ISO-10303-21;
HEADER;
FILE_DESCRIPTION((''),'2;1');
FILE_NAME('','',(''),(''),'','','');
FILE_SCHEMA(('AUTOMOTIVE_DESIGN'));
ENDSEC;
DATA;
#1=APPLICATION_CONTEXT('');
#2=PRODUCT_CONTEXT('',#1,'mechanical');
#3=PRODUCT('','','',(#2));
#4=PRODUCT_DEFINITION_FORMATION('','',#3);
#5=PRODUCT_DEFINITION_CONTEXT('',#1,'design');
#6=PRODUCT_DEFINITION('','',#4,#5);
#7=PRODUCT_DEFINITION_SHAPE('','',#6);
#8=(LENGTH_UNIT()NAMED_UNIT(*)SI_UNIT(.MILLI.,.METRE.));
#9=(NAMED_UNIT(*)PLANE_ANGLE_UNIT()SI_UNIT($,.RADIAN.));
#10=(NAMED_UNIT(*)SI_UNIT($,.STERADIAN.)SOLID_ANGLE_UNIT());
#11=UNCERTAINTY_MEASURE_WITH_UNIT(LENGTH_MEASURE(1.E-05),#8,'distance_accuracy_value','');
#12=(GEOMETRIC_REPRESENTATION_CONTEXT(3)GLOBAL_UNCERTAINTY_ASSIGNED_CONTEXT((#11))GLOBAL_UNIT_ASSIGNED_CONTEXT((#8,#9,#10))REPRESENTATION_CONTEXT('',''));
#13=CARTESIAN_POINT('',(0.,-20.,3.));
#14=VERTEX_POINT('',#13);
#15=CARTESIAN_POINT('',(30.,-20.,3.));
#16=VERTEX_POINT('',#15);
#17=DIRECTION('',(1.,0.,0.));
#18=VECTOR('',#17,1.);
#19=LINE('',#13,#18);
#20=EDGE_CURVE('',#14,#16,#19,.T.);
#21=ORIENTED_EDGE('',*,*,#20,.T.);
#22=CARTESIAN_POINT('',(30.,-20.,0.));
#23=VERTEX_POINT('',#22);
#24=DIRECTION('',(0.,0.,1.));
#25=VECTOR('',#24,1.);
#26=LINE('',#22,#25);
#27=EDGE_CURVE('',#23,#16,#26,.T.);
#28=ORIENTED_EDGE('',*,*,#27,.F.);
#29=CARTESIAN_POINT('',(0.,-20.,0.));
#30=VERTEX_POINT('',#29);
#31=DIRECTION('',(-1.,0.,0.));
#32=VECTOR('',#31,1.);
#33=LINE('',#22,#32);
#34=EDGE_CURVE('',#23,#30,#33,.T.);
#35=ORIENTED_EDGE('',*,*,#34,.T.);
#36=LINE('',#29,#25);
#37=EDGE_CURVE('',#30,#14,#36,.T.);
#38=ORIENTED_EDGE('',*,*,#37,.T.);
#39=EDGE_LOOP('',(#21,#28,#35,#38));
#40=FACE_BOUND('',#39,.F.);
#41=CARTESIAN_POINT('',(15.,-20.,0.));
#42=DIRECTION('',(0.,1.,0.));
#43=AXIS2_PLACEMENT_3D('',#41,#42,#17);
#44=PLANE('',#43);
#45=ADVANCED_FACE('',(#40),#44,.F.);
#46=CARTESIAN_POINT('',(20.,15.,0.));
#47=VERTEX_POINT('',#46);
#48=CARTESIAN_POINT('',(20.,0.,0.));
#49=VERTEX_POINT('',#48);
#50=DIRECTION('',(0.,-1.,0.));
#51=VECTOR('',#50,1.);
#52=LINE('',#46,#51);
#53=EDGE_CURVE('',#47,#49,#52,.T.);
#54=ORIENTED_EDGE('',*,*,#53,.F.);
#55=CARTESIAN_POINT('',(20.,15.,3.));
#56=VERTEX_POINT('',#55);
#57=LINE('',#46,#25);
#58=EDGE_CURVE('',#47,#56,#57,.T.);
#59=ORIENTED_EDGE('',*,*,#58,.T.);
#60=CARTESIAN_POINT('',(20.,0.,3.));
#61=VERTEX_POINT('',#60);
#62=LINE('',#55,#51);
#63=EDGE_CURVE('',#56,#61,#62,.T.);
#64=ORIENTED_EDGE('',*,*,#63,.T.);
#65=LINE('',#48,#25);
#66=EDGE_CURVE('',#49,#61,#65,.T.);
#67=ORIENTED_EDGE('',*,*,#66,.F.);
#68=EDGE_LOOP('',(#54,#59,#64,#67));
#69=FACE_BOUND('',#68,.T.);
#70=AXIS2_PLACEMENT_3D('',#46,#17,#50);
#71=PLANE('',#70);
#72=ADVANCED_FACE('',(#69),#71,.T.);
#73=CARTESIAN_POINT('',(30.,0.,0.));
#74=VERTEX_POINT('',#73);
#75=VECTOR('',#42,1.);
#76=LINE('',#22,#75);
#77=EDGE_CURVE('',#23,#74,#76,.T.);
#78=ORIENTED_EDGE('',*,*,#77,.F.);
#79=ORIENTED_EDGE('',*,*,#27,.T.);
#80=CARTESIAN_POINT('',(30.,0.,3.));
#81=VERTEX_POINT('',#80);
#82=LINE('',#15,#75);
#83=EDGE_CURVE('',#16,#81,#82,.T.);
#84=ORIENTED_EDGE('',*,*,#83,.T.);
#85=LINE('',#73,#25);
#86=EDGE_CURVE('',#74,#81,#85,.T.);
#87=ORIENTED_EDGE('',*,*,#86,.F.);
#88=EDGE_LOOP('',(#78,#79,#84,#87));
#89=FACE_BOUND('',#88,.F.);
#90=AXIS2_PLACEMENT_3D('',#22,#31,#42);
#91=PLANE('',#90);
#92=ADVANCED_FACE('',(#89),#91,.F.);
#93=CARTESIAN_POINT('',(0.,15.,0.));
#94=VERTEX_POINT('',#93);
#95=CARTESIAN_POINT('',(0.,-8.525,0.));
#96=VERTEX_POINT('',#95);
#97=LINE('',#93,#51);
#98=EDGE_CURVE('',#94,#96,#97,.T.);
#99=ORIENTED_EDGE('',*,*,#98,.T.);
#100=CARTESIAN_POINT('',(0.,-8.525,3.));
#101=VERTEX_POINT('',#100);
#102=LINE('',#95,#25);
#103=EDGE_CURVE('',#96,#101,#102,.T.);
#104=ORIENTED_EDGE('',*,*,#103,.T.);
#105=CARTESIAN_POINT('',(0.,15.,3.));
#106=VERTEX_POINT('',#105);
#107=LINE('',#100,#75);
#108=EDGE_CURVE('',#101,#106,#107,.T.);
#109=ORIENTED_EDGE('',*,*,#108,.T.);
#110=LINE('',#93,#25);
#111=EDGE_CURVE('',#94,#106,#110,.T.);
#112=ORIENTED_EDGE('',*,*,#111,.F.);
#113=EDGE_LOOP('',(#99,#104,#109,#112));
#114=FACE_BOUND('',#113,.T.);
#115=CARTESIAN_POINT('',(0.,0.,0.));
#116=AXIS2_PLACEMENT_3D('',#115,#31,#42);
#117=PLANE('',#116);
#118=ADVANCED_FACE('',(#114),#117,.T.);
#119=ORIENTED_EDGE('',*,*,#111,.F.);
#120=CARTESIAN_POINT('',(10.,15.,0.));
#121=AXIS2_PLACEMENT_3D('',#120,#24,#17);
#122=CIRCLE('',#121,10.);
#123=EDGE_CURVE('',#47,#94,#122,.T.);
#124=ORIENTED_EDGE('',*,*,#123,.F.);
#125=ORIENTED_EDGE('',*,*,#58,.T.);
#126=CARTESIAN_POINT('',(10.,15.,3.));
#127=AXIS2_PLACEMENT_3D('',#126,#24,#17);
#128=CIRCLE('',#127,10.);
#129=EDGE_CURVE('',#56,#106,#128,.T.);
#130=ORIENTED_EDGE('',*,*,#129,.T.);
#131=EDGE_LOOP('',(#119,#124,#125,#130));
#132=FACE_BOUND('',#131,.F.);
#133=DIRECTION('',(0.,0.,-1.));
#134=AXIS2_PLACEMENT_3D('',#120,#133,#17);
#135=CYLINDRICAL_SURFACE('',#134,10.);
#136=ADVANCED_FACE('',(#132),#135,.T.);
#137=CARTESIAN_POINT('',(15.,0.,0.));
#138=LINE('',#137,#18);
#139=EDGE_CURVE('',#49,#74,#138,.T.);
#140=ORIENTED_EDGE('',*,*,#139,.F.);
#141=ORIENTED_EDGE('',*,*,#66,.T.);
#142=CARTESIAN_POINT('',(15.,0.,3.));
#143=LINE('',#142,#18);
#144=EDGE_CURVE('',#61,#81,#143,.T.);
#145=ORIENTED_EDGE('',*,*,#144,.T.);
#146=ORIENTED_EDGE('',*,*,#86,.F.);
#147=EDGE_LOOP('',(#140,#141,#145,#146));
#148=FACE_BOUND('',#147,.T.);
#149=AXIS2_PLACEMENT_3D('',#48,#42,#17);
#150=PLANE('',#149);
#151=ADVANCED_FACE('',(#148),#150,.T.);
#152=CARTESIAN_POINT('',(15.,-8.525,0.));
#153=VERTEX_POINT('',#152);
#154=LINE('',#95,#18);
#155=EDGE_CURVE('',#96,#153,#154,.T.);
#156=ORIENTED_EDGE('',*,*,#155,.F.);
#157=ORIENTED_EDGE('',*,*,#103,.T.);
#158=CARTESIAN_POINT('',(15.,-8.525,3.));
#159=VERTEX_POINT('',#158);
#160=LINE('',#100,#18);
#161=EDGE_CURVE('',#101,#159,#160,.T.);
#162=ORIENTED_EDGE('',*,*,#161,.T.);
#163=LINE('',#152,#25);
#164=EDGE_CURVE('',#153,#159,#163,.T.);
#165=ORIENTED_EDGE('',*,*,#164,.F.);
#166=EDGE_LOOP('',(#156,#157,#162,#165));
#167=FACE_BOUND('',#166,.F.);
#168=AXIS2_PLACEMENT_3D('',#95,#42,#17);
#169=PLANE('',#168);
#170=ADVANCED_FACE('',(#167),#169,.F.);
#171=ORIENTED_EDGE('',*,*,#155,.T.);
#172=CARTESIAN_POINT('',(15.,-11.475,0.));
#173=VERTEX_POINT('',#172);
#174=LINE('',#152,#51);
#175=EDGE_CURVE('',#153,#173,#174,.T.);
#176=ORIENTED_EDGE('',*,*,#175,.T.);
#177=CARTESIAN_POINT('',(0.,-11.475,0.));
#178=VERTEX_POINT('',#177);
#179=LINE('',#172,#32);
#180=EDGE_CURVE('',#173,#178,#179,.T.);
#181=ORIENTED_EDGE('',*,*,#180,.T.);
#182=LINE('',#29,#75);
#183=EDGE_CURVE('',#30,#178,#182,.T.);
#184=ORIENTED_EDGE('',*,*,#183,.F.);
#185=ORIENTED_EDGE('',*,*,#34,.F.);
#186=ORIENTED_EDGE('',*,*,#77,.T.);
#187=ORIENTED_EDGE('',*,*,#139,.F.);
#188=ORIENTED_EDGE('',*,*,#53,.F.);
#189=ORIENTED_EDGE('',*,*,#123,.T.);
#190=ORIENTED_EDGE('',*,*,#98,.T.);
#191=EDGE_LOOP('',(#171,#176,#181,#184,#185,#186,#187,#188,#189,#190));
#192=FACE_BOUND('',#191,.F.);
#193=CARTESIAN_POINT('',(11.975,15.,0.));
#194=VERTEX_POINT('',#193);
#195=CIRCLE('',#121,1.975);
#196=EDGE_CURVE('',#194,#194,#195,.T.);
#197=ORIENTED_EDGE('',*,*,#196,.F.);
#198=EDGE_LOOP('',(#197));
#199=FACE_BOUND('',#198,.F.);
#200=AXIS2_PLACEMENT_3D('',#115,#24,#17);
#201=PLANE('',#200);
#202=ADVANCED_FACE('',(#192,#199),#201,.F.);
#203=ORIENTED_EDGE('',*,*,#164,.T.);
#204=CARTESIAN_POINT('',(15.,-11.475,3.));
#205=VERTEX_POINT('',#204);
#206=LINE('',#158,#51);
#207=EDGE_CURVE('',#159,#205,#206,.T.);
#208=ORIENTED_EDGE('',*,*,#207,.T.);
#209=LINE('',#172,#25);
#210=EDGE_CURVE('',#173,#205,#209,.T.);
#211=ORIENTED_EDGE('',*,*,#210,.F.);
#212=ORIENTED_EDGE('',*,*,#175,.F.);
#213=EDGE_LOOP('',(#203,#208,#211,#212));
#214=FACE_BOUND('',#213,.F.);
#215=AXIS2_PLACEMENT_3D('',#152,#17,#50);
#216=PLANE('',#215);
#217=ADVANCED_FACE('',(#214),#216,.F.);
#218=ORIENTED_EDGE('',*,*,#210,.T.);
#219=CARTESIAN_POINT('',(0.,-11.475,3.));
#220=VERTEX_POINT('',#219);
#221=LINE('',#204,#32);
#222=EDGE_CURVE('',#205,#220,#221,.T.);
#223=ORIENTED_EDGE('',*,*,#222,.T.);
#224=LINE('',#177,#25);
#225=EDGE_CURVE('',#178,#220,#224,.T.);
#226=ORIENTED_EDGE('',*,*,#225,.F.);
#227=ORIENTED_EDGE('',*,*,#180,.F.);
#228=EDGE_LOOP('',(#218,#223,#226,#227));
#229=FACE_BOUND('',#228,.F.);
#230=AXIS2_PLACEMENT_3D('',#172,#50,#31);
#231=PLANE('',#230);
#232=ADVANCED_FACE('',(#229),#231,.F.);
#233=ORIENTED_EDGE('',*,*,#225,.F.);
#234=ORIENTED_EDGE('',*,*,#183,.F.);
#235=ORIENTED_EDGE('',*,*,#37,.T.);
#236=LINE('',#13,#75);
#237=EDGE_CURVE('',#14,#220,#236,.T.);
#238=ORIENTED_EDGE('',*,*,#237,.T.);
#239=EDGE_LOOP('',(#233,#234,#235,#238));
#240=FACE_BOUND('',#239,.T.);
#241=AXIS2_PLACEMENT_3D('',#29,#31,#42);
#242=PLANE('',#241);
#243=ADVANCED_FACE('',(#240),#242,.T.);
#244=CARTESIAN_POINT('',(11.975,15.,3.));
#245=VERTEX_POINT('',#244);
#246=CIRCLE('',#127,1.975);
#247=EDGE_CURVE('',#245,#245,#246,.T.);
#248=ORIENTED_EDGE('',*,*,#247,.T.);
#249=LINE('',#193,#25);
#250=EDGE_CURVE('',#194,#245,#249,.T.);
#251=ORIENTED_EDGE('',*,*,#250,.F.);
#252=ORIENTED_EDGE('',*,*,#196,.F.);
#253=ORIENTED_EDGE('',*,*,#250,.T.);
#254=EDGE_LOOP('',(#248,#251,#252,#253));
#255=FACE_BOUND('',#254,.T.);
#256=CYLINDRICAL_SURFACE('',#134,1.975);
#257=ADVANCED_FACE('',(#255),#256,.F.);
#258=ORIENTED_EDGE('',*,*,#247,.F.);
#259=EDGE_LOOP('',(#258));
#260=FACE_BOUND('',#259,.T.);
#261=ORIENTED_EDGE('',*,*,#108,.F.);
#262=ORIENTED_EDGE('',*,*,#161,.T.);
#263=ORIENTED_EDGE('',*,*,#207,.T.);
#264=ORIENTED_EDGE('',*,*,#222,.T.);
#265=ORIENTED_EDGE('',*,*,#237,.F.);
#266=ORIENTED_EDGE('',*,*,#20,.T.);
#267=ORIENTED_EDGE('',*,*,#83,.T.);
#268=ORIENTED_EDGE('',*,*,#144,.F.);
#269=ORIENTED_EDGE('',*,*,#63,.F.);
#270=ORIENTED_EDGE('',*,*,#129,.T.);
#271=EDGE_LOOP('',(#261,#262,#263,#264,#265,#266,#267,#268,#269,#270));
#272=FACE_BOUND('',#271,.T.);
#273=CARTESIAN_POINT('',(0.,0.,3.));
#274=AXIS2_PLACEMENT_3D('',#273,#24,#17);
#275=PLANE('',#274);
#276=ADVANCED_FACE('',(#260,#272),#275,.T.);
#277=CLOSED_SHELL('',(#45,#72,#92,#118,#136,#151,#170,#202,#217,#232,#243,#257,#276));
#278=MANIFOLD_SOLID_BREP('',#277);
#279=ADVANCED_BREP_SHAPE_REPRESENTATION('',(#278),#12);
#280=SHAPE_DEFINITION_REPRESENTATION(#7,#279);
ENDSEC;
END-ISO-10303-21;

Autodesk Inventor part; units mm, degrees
ref_plane "YZ Plane" through (0, 0, 0) normal (1, 0, 0) x (0, 1, 0)
ref_plane "XZ Plane" through (0, 0, 0) normal (0, 1, 0) x (-1, 0, 0)
ref_plane "XY Plane" through (0, 0, 0) normal (0, 0, 1) x (1, 0, 0)
sketch "草圖1" plane through (0, 0, 0) normal (0, 0, 1) x (1, 0, 0)
  line L0 (0, 0) -> (15, 0)
  line L1 (15, -20) -> (0, -20)
  line L2 (0, -20) -> (0, 0)
  line L3 (0, -8.525) -> (15, -8.525)
  line L4 (15, -8.525) -> (15, -11.475)
  line L5 (15, -11.475) -> (0, -11.475)
  line L6 (0, -11.475) -> (0, -8.525)
  line L7 (15, 0) -> (60, 0)
  line L8 (15, 0) -> (15, -20)
  line L9 (15, -20) -> (30, -20)
  circle A0 centre (10, 15) radius 1.975
  line L10 (30, -20) -> (30, 0)
  line L11 (15, 0) -> (15, -20)
  line L12 (0, 0) -> (0, 15)
  circle A1 centre (10, 15) radius 10
  line L13 (20, 15) -> (20, 0)
  point P0 (15, -10)
  point P1 (0, -10)
  dimension "d0" = 20
  dimension "d3" = 2.95
  dimension "d4" = 0
  dimension "d7" = 15
  dimension "d9" = 3.95
  dimension "d15" = 15
  dimension "d17" = 15
  dimension "d18" = 10
  dimension "d19" = 20
extrude "擠出1" add sketch "草圖1" along normal blind 3 contours L12 A1 L13 L7 L0 | L0 L8 L3 L2 | L7 L10 L9 L8 L4 | A1 | L5 L8 L1 L2
